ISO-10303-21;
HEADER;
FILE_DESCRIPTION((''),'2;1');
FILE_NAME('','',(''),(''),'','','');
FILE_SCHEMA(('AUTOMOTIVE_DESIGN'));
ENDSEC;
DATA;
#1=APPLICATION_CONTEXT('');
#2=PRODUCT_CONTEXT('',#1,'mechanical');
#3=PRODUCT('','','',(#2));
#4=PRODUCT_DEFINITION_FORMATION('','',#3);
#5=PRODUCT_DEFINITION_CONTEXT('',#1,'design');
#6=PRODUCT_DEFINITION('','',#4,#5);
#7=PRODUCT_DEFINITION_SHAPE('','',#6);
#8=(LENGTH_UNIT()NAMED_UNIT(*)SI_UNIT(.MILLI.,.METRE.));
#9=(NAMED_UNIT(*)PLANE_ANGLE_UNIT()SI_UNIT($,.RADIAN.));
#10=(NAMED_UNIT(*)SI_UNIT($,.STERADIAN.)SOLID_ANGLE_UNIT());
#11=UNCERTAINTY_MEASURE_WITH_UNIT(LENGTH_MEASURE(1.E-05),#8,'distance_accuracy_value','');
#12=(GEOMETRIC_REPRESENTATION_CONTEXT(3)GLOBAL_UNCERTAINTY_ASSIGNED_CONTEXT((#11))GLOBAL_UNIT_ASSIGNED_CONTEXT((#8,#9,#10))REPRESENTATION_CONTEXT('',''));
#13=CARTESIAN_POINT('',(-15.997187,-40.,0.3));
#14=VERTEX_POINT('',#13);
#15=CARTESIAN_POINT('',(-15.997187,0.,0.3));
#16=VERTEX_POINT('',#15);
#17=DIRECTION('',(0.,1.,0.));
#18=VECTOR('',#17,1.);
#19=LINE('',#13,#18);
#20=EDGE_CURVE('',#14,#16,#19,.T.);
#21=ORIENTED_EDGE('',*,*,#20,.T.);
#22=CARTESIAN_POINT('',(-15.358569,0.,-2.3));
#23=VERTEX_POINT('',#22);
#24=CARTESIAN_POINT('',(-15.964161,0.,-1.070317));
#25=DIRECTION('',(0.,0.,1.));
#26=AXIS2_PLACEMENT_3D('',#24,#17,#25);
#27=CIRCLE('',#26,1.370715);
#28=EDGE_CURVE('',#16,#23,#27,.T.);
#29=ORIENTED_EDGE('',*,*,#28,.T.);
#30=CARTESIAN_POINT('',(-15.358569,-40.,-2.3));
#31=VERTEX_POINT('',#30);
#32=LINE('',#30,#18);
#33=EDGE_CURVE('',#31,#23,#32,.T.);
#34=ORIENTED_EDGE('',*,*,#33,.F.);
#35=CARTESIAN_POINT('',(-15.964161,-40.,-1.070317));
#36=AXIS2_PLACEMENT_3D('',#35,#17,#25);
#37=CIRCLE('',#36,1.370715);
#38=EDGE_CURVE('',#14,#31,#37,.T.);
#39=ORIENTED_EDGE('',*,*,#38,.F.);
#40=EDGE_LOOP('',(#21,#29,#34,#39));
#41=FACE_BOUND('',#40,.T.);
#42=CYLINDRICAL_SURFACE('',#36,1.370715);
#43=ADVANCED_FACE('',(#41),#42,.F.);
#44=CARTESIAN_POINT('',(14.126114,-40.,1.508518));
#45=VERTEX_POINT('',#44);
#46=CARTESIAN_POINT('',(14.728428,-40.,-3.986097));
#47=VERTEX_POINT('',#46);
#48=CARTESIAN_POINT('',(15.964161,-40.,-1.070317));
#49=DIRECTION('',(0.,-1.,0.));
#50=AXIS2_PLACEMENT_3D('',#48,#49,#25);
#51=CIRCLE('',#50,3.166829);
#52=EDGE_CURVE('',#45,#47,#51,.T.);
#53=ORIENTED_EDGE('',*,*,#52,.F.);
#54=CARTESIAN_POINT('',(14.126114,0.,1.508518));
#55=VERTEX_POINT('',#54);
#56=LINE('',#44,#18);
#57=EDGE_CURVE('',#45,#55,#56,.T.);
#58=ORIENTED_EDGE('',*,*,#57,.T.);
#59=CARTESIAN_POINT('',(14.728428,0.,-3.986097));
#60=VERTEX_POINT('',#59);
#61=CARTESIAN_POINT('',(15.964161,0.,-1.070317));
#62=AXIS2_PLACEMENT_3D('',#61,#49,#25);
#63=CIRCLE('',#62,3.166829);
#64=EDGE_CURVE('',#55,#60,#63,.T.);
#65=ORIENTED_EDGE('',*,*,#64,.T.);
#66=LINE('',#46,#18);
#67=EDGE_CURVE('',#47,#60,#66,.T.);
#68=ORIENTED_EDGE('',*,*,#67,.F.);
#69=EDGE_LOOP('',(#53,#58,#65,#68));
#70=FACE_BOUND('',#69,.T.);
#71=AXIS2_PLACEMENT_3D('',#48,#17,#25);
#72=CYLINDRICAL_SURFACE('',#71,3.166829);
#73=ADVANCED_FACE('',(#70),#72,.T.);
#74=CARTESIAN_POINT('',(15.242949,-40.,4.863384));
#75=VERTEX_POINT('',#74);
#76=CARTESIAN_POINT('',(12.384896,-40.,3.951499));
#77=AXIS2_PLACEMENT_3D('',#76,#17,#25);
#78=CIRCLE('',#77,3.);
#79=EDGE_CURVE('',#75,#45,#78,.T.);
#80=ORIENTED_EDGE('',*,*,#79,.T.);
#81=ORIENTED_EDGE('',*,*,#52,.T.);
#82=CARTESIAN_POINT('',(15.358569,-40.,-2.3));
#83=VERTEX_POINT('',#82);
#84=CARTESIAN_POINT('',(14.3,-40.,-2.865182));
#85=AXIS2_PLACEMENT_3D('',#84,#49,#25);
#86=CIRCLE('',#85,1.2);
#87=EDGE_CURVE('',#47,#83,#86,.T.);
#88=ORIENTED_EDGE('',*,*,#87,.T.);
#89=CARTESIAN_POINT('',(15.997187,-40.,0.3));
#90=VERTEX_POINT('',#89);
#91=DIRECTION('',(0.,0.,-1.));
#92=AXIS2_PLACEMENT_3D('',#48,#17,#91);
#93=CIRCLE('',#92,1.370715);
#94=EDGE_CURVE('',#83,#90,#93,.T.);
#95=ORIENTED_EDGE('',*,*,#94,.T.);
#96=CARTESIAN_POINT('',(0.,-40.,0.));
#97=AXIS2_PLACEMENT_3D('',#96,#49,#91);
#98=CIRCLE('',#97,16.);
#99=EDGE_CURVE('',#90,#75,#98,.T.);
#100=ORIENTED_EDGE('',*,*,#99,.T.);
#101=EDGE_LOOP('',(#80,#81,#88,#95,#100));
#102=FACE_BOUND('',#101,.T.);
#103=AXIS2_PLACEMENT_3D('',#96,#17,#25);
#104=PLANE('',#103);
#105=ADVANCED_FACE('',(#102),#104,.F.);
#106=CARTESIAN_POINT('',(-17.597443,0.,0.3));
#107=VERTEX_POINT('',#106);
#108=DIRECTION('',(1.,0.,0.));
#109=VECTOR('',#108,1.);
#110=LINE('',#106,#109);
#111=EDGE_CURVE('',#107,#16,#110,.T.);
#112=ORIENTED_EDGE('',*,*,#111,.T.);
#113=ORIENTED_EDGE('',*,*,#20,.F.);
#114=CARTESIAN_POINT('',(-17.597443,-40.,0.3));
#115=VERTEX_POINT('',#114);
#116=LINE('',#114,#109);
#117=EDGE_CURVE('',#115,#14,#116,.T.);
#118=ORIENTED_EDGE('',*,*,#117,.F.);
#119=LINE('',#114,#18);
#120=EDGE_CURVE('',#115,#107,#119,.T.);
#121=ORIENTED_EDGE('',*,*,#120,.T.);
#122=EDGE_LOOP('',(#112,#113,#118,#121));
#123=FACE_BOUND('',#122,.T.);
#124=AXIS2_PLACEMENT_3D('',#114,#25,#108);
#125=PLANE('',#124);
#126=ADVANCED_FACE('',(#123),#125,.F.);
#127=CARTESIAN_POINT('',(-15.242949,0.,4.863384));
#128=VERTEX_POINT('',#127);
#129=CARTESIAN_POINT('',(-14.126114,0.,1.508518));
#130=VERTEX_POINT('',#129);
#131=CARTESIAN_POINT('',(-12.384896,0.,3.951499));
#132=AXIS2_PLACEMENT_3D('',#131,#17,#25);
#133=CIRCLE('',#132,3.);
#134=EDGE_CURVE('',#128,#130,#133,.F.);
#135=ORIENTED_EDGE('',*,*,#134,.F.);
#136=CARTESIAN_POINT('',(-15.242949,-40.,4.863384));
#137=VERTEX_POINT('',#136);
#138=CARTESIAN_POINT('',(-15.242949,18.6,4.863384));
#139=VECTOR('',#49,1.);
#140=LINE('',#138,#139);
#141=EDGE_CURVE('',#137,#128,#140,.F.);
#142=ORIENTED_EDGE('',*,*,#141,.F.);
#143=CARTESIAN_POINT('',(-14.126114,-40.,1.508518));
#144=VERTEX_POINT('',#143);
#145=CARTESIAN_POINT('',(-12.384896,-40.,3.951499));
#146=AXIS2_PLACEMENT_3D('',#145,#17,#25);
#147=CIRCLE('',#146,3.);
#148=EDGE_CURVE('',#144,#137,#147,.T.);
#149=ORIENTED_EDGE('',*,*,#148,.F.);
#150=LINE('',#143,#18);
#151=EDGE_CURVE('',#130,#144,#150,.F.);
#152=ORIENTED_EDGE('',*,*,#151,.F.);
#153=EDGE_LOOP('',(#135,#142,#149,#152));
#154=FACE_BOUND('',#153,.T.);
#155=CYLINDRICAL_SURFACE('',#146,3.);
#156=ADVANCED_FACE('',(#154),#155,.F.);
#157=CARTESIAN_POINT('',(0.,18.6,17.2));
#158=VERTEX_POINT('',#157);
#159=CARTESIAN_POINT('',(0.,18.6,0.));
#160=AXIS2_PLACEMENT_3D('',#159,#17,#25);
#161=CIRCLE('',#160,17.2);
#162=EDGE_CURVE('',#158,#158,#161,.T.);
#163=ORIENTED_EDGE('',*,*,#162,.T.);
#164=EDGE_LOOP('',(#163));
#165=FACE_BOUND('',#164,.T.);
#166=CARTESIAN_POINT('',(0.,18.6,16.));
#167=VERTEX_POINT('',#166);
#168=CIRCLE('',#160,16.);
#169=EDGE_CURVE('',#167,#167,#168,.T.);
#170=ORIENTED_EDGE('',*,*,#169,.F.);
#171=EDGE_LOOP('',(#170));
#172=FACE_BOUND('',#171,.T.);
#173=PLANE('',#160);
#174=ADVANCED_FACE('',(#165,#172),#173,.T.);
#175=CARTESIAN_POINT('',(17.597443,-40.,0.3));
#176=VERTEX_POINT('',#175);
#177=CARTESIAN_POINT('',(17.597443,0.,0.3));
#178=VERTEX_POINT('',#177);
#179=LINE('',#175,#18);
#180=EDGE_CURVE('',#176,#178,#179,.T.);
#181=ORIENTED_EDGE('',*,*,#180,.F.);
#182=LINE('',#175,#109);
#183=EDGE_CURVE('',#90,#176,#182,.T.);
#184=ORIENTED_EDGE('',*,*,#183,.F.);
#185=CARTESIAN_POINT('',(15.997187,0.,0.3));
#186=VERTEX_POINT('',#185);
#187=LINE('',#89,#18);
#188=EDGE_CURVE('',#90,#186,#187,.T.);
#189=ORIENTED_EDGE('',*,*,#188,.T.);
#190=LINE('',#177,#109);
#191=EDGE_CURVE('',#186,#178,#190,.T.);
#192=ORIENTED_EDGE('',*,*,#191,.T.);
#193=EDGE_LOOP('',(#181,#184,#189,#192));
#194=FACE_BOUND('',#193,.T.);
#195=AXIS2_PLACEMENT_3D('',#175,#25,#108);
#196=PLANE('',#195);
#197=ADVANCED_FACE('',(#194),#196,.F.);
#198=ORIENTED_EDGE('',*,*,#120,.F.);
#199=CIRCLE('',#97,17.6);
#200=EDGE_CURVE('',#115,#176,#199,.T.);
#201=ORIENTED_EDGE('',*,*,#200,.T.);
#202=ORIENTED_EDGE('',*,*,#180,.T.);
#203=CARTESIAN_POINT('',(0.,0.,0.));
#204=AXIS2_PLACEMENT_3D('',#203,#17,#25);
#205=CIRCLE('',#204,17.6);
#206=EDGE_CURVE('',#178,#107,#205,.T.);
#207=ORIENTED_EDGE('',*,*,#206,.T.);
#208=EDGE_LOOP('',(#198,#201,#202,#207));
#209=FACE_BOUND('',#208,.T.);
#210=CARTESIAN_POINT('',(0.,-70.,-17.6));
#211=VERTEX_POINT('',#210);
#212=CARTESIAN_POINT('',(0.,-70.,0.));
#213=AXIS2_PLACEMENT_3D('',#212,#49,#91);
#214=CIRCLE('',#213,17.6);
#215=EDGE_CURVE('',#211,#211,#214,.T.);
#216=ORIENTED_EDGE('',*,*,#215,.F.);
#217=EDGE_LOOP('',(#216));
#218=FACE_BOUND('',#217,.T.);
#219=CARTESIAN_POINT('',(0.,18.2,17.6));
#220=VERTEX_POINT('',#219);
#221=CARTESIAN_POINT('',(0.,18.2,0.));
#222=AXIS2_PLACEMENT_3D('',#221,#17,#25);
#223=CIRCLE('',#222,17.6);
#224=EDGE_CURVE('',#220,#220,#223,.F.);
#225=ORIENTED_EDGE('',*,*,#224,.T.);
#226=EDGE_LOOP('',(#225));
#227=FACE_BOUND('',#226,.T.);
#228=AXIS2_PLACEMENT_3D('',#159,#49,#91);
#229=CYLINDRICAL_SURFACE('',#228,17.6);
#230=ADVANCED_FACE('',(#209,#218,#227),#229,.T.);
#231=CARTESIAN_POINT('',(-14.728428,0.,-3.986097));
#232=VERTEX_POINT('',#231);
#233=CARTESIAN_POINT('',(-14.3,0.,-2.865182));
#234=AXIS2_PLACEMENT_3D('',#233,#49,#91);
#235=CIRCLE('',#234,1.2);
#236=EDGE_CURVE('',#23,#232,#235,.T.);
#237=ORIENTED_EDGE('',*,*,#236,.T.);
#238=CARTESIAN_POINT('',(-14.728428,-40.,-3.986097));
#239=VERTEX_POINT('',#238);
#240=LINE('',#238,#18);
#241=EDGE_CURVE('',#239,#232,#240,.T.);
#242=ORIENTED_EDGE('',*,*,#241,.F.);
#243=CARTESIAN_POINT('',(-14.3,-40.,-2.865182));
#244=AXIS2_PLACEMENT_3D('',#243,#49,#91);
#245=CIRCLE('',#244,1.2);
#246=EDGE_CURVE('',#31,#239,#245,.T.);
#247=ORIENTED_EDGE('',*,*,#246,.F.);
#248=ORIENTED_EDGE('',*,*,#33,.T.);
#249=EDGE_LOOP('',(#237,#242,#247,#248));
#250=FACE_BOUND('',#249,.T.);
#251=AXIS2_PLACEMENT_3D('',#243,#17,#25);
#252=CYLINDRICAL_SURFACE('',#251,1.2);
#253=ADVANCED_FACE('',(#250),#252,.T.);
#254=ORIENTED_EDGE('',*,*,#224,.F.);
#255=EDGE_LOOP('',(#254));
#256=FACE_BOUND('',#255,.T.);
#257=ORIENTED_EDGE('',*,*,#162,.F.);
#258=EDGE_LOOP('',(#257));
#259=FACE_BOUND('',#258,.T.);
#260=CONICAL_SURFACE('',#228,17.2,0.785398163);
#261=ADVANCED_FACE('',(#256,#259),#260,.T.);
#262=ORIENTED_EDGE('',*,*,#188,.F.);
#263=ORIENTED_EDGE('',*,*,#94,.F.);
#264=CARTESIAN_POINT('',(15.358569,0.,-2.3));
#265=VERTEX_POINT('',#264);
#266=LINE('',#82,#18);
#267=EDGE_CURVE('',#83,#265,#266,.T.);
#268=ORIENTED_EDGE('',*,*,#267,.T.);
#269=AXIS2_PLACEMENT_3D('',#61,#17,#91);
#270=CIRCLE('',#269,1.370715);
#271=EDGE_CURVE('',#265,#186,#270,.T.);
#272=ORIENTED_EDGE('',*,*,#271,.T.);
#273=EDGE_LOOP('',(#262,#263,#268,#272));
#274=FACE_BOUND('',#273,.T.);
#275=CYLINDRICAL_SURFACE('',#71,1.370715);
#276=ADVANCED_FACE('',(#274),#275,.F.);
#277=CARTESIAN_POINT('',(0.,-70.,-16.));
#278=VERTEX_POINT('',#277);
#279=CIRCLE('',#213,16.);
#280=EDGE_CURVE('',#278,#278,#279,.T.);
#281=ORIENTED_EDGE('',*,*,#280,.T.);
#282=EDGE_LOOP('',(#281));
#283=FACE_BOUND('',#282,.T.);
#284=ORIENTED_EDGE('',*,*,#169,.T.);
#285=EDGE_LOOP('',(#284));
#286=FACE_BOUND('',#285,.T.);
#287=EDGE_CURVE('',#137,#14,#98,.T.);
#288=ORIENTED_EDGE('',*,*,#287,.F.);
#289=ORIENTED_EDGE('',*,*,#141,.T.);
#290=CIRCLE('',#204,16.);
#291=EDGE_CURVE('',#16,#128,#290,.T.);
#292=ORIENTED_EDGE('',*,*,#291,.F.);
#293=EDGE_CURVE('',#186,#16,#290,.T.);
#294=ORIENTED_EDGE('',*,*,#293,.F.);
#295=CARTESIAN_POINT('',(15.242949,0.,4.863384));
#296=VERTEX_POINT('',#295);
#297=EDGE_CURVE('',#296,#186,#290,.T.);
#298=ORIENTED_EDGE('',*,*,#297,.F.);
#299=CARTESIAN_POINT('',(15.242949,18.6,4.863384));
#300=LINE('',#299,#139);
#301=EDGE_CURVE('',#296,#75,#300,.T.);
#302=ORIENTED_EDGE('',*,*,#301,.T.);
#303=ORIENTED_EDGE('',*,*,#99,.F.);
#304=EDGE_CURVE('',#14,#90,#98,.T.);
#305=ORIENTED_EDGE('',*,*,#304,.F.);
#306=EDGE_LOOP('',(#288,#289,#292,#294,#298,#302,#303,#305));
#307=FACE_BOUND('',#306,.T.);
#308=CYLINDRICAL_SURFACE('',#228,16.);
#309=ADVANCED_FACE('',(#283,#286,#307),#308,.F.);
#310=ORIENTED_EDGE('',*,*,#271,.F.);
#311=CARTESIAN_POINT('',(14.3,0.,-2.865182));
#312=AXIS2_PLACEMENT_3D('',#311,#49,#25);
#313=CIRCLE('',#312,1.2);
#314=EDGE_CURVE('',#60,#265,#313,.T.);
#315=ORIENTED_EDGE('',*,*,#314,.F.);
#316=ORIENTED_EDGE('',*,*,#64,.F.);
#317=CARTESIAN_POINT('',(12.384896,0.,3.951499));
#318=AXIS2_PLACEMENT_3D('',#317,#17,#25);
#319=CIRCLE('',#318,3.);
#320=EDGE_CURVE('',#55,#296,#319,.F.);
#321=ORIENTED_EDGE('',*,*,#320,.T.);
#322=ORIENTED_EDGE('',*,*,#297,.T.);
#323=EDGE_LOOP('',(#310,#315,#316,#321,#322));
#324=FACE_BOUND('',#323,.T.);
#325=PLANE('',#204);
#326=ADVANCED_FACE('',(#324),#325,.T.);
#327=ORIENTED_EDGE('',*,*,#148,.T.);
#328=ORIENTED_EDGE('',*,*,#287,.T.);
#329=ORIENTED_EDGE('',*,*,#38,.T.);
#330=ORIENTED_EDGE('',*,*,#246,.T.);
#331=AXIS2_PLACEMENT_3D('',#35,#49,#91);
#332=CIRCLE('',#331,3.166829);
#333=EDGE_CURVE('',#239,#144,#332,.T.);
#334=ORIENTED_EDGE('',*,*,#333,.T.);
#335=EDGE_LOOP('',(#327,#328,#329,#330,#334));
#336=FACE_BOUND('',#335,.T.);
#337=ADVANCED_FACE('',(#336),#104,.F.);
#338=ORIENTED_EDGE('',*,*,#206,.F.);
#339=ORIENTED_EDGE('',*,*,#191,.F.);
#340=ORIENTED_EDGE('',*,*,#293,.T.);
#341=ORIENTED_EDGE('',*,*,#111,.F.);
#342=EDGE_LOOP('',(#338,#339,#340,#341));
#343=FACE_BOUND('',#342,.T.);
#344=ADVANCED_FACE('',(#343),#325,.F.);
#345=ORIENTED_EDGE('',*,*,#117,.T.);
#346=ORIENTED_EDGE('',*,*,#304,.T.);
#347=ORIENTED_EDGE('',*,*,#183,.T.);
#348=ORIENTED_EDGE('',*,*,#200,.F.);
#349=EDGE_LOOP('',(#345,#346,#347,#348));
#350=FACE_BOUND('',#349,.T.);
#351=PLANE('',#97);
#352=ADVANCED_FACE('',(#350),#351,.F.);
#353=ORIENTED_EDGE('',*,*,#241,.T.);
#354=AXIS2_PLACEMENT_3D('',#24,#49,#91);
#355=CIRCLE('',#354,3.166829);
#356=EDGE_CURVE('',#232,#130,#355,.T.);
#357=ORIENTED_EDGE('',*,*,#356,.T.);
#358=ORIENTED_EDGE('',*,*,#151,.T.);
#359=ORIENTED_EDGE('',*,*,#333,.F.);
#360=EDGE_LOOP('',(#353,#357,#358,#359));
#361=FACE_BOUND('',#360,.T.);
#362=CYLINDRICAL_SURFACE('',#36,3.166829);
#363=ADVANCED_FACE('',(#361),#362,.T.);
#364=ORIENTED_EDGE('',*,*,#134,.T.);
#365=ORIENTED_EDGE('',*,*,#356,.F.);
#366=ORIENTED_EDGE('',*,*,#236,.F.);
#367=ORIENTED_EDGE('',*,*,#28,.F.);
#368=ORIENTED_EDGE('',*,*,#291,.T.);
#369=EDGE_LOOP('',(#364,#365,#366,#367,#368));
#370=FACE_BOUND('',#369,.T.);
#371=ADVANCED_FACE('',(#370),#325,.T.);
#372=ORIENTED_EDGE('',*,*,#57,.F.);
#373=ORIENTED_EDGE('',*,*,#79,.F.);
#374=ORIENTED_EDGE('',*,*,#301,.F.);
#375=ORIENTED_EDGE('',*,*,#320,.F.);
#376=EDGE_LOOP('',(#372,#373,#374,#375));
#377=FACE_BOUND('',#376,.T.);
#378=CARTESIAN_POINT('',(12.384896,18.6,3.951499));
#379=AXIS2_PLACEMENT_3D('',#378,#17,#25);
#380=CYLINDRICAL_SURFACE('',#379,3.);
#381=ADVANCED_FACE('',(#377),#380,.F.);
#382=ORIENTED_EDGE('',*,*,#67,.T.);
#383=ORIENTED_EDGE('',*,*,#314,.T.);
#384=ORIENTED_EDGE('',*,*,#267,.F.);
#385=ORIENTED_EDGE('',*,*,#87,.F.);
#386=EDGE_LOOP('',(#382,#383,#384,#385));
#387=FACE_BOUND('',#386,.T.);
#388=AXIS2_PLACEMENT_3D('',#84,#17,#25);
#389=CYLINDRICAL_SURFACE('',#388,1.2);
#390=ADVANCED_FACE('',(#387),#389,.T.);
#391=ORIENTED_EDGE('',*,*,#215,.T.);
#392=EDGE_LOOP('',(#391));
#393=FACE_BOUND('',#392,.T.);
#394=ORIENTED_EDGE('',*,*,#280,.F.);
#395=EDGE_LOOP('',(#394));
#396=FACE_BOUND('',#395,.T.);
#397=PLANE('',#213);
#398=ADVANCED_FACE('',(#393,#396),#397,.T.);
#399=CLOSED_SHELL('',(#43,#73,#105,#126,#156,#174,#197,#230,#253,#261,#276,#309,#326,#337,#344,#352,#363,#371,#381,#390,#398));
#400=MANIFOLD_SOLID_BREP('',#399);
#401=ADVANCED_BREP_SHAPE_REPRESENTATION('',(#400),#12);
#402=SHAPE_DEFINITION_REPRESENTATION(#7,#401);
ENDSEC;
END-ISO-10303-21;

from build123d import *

# Parameters (mm, degrees)
SKETCH1_R           = 17.6
SKETCH1_R_2         = 16
BOSS_EXTRUDE1_DEPTH = 18.6
BOSS_EXTRUDE4_DEPTH = 40
FILLET1_R           = 3
SKETCH3_R           = 17.6
SKETCH3_R_2         = 16
BOSS_EXTRUDE5_DEPTH = 30
CHAMFER1_SIZE       = 0.4


with BuildPart() as part:
    # Sketch1 → Boss-Extrude1 (new body)
    with BuildSketch(Plane(origin=(0, 0, 0), x_dir=(1, 0, 0), z_dir=(0, 1, 0))):
        Circle(SKETCH1_R)
        Circle(SKETCH1_R_2, mode=Mode.SUBTRACT)
    extrude(amount=BOSS_EXTRUDE1_DEPTH)

    # Sketch2 → Boss-Extrude4 (add)
    with BuildSketch(Plane.XZ):
        with BuildLine():
            Line((-17.597442996, 0.3), (-15.997187253, 0.3))
            ThreePointArc((-15.997187253, 0.3), (-14.633011589, -0.743357507), (-15.358569497, -2.3))
            ThreePointArc((-15.358569497, -2.3), (-15.42406436, -3.285276346), (-14.728427881, -3.986096541))
            ThreePointArc((-14.728427881, -3.986096541), (-12.8509861, -0.489844124), (-15.86226693, 2.094871792))
            ThreePointArc((-15.86226693, 2.094871792), (0, 16), (15.86226693, 2.094871792))
            ThreePointArc((15.86226693, 2.094871792), (12.8509861, -0.489844124), (14.728427881, -3.986096541))
            ThreePointArc((14.728427881, -3.986096541), (15.42406436, -3.285276346), (15.358569497, -2.3))
            ThreePointArc((15.358569497, -2.3), (14.633011589, -0.743357507), (15.997187253, 0.3))
            Line((15.997187253, 0.3), (17.597442996, 0.3))
            ThreePointArc((17.597442996, 0.3), (0, 17.6), (-17.597442996, 0.3))
        make_face()
    extrude(amount=BOSS_EXTRUDE4_DEPTH)

    # Fillet1
    fillet1_edges = [part.edges().sort_by_distance(p)[0] for p in [
        (-15.86226693, -20, 2.094871792),
        (15.86226693, -20, 2.094871792),
    ]]
    fillet(fillet1_edges, radius=FILLET1_R)

    # Sketch3 → Boss-Extrude5 (add)
    with BuildSketch(Plane.XZ.offset(40)):
        Circle(SKETCH3_R)
        Circle(SKETCH3_R_2, mode=Mode.SUBTRACT)
    extrude(amount=BOSS_EXTRUDE5_DEPTH)

    # Chamfer1
    chamfer1_edges = [part.edges().sort_by_distance(p)[0] for p in [
        (-17.6, 18.6, 0),
    ]]
    chamfer(chamfer1_edges, length=CHAMFER1_SIZE)


solid = part.part
